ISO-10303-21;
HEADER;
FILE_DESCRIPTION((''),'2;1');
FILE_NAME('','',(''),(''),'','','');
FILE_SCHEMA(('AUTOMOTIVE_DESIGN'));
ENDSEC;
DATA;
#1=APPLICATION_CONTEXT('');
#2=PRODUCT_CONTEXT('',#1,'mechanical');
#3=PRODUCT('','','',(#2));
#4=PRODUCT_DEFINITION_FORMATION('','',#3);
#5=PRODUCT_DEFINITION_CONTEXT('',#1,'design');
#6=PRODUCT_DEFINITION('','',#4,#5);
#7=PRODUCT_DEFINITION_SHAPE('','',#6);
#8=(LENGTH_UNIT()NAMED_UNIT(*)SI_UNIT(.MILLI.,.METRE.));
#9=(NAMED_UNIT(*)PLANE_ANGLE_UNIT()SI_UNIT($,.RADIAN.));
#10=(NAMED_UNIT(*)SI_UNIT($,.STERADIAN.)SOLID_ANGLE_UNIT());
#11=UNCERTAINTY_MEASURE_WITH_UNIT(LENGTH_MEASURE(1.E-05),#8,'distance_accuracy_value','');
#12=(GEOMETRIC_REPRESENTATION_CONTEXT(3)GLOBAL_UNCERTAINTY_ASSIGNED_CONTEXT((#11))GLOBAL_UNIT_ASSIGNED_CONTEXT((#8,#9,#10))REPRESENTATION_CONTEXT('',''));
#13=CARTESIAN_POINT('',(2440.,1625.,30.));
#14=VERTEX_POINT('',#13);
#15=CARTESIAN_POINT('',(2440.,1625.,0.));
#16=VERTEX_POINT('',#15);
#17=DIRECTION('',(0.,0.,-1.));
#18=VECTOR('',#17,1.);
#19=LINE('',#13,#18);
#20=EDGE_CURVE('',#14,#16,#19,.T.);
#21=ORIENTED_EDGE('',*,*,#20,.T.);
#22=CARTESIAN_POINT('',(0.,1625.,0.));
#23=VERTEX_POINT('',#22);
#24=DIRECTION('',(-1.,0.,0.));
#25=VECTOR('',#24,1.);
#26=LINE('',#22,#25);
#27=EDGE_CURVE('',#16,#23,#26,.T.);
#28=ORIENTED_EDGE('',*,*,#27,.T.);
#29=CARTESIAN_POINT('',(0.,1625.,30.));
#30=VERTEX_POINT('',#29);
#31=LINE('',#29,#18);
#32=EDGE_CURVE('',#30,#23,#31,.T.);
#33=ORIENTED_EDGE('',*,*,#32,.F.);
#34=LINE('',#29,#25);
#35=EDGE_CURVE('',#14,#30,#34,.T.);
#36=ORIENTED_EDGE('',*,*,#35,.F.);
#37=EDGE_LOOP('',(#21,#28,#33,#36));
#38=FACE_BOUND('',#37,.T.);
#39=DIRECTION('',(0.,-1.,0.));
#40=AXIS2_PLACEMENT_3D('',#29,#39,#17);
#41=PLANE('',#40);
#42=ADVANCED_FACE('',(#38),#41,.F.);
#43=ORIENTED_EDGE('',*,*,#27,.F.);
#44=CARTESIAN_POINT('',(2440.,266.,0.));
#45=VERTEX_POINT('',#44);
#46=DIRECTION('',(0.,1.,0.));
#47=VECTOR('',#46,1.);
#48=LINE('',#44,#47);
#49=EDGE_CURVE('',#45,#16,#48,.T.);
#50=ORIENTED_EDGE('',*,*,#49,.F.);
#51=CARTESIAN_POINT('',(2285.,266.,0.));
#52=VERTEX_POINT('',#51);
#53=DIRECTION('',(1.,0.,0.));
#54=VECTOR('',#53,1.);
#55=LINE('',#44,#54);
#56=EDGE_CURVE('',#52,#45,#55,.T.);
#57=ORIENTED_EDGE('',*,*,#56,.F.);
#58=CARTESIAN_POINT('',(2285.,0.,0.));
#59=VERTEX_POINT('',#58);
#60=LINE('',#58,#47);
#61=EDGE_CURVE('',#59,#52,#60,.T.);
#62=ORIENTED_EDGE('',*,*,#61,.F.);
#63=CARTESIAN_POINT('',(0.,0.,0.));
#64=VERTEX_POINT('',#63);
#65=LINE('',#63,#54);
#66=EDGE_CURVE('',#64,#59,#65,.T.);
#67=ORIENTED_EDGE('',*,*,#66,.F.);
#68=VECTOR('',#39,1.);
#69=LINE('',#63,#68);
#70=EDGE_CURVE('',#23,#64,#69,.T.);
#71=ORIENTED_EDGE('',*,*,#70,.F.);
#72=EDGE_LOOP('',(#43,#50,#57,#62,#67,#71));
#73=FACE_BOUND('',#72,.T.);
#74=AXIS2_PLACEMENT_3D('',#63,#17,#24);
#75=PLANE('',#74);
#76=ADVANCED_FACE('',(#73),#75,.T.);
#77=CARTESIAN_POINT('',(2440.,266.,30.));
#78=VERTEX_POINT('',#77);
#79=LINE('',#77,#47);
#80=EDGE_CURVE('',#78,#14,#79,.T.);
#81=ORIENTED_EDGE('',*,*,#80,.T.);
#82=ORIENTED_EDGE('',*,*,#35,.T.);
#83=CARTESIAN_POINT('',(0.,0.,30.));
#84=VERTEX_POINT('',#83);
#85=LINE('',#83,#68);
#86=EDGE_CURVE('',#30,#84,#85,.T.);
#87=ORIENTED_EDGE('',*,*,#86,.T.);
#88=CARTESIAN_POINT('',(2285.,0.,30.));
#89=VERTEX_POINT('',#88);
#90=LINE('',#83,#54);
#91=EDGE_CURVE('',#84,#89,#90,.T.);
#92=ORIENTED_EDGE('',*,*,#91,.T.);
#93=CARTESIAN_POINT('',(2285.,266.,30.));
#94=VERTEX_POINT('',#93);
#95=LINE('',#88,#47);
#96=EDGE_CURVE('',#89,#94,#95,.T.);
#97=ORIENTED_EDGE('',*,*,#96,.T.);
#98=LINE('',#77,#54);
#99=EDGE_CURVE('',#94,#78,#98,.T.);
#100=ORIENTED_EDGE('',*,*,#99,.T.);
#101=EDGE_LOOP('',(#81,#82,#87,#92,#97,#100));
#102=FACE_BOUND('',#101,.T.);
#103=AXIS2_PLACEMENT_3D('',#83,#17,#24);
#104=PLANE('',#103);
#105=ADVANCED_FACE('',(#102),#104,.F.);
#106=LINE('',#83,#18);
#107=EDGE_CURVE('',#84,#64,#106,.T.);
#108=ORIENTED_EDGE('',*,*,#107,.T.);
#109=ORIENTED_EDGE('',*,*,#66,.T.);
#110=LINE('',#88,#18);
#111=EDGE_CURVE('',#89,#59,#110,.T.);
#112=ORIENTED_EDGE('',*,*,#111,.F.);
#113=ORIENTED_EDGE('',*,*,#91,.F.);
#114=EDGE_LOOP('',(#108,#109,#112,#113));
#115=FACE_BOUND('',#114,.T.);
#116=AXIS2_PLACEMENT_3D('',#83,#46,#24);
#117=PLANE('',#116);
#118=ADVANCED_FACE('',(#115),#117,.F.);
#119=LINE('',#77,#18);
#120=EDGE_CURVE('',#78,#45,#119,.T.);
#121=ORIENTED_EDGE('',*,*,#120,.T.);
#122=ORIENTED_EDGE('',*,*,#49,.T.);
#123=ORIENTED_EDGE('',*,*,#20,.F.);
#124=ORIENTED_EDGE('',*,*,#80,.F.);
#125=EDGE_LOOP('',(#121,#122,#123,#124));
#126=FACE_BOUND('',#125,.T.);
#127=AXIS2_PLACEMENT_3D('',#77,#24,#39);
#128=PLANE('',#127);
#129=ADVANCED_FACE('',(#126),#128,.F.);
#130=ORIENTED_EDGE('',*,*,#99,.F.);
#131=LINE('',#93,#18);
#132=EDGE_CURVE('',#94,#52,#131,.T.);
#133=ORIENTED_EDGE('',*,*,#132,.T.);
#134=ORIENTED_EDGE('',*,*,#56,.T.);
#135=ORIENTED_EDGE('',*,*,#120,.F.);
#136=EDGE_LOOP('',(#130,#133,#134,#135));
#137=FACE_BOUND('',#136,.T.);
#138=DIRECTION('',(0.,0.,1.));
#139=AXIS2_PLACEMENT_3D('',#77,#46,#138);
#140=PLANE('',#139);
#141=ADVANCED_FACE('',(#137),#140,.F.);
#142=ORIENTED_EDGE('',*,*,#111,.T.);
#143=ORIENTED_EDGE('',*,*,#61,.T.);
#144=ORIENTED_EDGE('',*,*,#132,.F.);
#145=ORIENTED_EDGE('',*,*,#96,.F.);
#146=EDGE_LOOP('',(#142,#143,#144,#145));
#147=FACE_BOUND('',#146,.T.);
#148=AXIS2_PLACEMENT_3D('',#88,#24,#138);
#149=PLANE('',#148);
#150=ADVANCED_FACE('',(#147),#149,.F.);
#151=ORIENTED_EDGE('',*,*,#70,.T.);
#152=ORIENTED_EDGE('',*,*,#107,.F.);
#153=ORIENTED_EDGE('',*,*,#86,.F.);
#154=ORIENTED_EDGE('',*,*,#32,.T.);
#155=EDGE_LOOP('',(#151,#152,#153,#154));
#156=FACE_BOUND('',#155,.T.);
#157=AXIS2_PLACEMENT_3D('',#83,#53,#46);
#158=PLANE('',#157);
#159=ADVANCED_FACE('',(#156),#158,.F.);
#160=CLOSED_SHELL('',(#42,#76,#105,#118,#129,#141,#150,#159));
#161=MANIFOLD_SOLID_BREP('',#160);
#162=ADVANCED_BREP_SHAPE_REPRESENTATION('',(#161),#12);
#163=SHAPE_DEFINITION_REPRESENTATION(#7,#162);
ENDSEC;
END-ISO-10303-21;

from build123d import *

# Parameters (mm, degrees)
BOSS_EXTRUDE1_DEPTH = 30


with BuildPart() as part:
    # Sketch1 → Boss-Extrude1 (new body)
    with BuildSketch(Plane.XY):
        Polygon((0, 0), (2285, 0), (2285, 266), (2440, 266), (2440, 1625), (0, 1625), align=None)
    extrude(amount=BOSS_EXTRUDE1_DEPTH)


solid = part.part
